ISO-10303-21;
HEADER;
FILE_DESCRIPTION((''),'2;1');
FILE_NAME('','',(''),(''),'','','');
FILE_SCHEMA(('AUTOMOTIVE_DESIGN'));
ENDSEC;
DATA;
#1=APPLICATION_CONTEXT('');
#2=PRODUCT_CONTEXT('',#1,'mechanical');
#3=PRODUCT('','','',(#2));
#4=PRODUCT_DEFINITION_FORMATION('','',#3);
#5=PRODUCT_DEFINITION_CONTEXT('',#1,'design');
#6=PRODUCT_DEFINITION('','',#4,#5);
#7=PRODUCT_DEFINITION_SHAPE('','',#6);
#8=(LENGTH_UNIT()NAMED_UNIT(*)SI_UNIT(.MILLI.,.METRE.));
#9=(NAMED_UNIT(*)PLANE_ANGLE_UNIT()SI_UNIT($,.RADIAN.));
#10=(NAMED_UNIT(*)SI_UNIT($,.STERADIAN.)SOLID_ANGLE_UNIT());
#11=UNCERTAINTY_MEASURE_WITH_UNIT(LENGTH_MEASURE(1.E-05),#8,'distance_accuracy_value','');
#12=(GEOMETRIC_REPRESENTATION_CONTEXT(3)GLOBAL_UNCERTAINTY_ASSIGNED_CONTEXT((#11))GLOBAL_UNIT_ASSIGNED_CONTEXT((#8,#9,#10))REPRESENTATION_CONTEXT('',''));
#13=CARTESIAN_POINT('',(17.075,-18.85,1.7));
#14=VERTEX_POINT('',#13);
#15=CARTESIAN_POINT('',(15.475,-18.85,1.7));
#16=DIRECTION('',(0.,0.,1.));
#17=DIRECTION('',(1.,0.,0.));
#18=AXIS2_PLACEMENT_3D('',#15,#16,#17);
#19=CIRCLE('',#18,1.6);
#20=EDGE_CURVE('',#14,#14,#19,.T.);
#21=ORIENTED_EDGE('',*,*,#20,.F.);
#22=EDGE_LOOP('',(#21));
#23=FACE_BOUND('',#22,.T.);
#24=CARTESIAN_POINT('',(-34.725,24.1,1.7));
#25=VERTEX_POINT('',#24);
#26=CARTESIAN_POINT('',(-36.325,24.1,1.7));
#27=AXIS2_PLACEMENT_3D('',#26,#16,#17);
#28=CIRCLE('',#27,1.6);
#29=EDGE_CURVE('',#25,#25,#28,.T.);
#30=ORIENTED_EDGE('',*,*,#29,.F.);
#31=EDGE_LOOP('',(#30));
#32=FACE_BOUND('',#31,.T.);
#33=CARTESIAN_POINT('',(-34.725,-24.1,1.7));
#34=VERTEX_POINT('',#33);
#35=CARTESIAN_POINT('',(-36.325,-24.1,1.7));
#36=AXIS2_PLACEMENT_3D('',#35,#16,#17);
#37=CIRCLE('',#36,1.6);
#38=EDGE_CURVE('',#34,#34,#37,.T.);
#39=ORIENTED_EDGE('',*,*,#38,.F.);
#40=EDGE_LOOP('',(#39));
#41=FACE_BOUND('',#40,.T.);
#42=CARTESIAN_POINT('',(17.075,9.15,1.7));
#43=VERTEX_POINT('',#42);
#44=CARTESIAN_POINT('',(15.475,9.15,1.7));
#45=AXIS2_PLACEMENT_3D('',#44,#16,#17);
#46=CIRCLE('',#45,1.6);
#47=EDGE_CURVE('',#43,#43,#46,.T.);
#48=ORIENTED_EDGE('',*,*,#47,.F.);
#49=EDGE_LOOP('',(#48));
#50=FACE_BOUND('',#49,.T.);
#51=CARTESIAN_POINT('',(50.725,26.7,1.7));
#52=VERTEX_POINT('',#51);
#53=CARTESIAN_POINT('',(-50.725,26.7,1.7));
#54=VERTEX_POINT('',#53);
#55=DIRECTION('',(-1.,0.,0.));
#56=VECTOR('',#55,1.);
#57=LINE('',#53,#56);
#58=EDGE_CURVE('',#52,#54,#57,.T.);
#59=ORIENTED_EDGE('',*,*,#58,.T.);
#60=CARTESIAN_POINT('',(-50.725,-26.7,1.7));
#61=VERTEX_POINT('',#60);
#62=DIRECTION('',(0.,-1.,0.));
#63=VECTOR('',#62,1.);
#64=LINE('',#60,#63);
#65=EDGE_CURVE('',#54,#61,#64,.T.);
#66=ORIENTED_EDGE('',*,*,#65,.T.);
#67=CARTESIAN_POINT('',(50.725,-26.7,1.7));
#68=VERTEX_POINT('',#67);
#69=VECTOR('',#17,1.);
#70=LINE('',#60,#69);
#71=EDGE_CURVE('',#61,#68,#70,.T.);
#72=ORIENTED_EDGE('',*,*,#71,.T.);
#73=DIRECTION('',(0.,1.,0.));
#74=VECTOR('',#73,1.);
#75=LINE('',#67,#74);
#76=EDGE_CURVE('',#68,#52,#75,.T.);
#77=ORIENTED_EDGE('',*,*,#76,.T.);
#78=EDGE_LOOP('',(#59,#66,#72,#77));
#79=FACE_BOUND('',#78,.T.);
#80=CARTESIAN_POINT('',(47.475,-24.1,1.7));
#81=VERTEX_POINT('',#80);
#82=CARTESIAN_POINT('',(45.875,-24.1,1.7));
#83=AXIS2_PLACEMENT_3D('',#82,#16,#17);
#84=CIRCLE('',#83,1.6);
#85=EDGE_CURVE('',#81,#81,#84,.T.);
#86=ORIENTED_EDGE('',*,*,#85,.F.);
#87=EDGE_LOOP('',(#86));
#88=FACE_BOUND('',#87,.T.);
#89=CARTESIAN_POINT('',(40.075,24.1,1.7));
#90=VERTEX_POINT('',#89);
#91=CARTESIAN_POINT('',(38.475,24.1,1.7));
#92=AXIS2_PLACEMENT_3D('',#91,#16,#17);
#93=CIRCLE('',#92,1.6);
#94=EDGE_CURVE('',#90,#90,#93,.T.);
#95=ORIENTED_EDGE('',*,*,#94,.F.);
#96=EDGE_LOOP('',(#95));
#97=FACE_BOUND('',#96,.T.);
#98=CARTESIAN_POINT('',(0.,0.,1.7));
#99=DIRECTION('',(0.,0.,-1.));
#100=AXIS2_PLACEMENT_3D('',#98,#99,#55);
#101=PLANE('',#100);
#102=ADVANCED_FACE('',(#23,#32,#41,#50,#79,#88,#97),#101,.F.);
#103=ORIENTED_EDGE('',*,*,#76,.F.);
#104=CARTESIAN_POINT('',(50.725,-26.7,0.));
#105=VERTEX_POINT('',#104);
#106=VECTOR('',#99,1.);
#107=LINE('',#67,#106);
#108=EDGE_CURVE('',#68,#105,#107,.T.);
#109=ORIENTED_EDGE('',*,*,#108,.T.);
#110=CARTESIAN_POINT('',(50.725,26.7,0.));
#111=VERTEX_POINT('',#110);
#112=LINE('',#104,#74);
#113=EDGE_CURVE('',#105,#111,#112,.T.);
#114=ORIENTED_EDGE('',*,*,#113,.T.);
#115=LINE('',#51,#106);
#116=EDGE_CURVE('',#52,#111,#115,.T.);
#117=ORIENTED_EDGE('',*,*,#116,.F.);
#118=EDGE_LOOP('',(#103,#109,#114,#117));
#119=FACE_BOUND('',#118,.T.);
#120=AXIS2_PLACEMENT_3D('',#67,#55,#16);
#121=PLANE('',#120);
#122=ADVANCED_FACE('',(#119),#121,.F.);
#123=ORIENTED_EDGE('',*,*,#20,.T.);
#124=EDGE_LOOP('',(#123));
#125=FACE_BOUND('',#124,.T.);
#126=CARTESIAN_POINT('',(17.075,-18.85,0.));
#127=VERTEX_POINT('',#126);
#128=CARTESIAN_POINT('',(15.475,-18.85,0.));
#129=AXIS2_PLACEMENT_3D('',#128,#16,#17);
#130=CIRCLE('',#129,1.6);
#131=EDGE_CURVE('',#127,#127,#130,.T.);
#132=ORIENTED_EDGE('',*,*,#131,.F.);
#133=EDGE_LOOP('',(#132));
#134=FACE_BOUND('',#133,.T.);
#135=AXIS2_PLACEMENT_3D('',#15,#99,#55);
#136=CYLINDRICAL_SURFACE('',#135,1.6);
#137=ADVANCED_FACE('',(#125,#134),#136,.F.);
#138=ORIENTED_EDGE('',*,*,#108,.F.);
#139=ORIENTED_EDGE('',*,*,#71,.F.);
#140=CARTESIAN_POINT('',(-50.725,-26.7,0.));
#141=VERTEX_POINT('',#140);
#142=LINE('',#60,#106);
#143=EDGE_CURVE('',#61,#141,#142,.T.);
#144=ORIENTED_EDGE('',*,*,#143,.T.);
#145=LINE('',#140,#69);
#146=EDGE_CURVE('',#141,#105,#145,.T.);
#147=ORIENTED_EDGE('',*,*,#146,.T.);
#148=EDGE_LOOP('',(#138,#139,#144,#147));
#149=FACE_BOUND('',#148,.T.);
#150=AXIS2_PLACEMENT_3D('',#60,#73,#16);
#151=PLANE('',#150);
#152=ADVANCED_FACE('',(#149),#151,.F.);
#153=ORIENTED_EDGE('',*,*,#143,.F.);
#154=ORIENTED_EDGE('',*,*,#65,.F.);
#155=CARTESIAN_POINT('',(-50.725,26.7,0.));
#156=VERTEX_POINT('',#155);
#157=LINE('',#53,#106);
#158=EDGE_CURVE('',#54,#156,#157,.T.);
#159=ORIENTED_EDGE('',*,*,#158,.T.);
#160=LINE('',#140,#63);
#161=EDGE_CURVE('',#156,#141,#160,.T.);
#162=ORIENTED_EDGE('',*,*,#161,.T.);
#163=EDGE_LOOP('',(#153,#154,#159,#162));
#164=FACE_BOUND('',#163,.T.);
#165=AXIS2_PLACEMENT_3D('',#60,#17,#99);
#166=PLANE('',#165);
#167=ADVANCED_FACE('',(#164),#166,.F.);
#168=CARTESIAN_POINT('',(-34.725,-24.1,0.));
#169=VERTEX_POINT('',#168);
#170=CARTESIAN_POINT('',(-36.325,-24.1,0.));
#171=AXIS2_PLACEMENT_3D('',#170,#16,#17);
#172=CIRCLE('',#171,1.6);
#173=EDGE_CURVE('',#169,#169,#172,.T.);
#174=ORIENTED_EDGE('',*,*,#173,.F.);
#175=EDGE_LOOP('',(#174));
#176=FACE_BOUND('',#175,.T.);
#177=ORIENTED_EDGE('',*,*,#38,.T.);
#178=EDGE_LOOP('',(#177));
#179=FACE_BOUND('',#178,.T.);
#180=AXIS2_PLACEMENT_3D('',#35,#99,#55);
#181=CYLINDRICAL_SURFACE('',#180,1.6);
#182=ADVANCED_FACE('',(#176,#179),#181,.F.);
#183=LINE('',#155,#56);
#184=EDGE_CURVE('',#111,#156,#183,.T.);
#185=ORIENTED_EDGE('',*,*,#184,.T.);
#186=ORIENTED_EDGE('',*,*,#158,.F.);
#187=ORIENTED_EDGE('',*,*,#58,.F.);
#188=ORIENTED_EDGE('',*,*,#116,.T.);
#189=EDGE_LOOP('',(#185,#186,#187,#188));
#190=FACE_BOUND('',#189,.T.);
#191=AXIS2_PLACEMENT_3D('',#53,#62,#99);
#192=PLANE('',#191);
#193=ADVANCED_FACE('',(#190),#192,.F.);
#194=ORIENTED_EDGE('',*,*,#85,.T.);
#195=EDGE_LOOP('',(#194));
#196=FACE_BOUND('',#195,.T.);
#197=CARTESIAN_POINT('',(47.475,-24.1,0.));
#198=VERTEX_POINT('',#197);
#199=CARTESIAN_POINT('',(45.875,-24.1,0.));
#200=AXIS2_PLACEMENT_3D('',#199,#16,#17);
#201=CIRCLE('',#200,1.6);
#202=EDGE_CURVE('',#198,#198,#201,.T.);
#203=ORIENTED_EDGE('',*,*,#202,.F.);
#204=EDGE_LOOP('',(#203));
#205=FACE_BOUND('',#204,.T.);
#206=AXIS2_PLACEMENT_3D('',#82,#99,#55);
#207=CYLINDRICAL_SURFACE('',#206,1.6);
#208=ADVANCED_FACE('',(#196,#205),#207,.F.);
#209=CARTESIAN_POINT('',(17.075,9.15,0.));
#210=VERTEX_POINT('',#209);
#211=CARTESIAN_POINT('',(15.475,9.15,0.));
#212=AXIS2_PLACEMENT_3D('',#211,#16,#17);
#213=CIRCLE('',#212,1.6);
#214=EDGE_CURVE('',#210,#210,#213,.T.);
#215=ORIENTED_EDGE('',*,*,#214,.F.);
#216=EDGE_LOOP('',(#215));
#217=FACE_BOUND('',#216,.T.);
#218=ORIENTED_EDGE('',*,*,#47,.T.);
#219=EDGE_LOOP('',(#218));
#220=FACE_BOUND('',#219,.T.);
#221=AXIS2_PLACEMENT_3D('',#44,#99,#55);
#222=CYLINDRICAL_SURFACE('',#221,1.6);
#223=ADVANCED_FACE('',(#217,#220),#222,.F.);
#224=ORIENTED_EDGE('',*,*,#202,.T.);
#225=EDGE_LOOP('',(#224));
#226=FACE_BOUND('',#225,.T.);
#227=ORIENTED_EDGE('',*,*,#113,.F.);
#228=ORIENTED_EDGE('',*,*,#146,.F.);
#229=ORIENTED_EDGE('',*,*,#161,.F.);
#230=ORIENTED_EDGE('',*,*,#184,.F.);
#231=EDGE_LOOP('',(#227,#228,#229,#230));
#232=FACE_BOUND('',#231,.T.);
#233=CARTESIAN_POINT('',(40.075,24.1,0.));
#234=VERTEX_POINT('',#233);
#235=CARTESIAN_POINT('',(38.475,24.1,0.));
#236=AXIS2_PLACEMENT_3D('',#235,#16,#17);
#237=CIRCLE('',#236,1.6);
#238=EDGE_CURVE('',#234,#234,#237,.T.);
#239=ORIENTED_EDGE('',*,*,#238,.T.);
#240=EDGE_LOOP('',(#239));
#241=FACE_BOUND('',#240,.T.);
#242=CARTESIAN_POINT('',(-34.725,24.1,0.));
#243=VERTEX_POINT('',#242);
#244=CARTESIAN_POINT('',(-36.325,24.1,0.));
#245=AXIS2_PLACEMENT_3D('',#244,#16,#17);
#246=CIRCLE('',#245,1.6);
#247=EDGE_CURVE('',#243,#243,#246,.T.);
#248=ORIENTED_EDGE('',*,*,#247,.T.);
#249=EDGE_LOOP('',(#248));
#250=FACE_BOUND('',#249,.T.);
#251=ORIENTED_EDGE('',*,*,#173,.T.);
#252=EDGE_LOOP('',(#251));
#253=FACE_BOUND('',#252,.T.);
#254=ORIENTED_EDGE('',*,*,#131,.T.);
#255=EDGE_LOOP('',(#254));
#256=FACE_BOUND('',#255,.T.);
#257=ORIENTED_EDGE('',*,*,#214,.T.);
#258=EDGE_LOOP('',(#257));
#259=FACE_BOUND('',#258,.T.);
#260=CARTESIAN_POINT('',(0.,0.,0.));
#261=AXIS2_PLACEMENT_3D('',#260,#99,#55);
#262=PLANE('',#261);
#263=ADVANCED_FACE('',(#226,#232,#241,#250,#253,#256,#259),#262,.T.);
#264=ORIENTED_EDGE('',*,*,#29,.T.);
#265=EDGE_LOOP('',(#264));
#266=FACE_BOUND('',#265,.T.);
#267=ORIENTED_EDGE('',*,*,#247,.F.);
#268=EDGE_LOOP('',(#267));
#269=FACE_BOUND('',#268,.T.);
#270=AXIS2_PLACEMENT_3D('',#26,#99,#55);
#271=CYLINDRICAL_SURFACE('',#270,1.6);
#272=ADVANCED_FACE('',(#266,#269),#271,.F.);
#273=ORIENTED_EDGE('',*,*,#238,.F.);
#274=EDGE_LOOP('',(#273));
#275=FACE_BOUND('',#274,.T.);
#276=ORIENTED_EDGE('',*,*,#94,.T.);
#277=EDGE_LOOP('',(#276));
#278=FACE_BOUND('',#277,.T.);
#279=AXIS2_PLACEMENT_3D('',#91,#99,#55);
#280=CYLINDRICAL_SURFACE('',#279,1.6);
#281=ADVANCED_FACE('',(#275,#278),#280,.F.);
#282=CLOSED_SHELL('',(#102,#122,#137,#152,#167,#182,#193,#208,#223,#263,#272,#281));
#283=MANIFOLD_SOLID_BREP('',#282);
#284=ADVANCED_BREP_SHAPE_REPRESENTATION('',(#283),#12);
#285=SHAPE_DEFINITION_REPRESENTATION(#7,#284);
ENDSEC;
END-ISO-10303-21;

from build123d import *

# Parameters (mm, degrees)
SKETCH1_W           = 101.45
SKETCH1_H           = 53.4
SKETCH1_R           = 1.6
BOSS_EXTRUDE1_DEPTH = 1.7


with BuildPart() as part:
    # Sketch1 → Boss-Extrude1 (new body)
    with BuildSketch(Plane.XY):
        Rectangle(SKETCH1_W, SKETCH1_H)
        with Locations((-36.325, 24.1)):
            Circle(SKETCH1_R, mode=Mode.SUBTRACT)
        with Locations((-36.325, -24.1)):
            Circle(SKETCH1_R, mode=Mode.SUBTRACT)
        with Locations((15.475, -18.85)):
            Circle(SKETCH1_R, mode=Mode.SUBTRACT)
        with Locations((15.475, 9.15)):
            Circle(SKETCH1_R, mode=Mode.SUBTRACT)
        with Locations((38.475, 24.1)):
            Circle(SKETCH1_R, mode=Mode.SUBTRACT)
        with Locations((45.875, -24.1)):
            Circle(SKETCH1_R, mode=Mode.SUBTRACT)
    extrude(amount=BOSS_EXTRUDE1_DEPTH)


solid = part.part
